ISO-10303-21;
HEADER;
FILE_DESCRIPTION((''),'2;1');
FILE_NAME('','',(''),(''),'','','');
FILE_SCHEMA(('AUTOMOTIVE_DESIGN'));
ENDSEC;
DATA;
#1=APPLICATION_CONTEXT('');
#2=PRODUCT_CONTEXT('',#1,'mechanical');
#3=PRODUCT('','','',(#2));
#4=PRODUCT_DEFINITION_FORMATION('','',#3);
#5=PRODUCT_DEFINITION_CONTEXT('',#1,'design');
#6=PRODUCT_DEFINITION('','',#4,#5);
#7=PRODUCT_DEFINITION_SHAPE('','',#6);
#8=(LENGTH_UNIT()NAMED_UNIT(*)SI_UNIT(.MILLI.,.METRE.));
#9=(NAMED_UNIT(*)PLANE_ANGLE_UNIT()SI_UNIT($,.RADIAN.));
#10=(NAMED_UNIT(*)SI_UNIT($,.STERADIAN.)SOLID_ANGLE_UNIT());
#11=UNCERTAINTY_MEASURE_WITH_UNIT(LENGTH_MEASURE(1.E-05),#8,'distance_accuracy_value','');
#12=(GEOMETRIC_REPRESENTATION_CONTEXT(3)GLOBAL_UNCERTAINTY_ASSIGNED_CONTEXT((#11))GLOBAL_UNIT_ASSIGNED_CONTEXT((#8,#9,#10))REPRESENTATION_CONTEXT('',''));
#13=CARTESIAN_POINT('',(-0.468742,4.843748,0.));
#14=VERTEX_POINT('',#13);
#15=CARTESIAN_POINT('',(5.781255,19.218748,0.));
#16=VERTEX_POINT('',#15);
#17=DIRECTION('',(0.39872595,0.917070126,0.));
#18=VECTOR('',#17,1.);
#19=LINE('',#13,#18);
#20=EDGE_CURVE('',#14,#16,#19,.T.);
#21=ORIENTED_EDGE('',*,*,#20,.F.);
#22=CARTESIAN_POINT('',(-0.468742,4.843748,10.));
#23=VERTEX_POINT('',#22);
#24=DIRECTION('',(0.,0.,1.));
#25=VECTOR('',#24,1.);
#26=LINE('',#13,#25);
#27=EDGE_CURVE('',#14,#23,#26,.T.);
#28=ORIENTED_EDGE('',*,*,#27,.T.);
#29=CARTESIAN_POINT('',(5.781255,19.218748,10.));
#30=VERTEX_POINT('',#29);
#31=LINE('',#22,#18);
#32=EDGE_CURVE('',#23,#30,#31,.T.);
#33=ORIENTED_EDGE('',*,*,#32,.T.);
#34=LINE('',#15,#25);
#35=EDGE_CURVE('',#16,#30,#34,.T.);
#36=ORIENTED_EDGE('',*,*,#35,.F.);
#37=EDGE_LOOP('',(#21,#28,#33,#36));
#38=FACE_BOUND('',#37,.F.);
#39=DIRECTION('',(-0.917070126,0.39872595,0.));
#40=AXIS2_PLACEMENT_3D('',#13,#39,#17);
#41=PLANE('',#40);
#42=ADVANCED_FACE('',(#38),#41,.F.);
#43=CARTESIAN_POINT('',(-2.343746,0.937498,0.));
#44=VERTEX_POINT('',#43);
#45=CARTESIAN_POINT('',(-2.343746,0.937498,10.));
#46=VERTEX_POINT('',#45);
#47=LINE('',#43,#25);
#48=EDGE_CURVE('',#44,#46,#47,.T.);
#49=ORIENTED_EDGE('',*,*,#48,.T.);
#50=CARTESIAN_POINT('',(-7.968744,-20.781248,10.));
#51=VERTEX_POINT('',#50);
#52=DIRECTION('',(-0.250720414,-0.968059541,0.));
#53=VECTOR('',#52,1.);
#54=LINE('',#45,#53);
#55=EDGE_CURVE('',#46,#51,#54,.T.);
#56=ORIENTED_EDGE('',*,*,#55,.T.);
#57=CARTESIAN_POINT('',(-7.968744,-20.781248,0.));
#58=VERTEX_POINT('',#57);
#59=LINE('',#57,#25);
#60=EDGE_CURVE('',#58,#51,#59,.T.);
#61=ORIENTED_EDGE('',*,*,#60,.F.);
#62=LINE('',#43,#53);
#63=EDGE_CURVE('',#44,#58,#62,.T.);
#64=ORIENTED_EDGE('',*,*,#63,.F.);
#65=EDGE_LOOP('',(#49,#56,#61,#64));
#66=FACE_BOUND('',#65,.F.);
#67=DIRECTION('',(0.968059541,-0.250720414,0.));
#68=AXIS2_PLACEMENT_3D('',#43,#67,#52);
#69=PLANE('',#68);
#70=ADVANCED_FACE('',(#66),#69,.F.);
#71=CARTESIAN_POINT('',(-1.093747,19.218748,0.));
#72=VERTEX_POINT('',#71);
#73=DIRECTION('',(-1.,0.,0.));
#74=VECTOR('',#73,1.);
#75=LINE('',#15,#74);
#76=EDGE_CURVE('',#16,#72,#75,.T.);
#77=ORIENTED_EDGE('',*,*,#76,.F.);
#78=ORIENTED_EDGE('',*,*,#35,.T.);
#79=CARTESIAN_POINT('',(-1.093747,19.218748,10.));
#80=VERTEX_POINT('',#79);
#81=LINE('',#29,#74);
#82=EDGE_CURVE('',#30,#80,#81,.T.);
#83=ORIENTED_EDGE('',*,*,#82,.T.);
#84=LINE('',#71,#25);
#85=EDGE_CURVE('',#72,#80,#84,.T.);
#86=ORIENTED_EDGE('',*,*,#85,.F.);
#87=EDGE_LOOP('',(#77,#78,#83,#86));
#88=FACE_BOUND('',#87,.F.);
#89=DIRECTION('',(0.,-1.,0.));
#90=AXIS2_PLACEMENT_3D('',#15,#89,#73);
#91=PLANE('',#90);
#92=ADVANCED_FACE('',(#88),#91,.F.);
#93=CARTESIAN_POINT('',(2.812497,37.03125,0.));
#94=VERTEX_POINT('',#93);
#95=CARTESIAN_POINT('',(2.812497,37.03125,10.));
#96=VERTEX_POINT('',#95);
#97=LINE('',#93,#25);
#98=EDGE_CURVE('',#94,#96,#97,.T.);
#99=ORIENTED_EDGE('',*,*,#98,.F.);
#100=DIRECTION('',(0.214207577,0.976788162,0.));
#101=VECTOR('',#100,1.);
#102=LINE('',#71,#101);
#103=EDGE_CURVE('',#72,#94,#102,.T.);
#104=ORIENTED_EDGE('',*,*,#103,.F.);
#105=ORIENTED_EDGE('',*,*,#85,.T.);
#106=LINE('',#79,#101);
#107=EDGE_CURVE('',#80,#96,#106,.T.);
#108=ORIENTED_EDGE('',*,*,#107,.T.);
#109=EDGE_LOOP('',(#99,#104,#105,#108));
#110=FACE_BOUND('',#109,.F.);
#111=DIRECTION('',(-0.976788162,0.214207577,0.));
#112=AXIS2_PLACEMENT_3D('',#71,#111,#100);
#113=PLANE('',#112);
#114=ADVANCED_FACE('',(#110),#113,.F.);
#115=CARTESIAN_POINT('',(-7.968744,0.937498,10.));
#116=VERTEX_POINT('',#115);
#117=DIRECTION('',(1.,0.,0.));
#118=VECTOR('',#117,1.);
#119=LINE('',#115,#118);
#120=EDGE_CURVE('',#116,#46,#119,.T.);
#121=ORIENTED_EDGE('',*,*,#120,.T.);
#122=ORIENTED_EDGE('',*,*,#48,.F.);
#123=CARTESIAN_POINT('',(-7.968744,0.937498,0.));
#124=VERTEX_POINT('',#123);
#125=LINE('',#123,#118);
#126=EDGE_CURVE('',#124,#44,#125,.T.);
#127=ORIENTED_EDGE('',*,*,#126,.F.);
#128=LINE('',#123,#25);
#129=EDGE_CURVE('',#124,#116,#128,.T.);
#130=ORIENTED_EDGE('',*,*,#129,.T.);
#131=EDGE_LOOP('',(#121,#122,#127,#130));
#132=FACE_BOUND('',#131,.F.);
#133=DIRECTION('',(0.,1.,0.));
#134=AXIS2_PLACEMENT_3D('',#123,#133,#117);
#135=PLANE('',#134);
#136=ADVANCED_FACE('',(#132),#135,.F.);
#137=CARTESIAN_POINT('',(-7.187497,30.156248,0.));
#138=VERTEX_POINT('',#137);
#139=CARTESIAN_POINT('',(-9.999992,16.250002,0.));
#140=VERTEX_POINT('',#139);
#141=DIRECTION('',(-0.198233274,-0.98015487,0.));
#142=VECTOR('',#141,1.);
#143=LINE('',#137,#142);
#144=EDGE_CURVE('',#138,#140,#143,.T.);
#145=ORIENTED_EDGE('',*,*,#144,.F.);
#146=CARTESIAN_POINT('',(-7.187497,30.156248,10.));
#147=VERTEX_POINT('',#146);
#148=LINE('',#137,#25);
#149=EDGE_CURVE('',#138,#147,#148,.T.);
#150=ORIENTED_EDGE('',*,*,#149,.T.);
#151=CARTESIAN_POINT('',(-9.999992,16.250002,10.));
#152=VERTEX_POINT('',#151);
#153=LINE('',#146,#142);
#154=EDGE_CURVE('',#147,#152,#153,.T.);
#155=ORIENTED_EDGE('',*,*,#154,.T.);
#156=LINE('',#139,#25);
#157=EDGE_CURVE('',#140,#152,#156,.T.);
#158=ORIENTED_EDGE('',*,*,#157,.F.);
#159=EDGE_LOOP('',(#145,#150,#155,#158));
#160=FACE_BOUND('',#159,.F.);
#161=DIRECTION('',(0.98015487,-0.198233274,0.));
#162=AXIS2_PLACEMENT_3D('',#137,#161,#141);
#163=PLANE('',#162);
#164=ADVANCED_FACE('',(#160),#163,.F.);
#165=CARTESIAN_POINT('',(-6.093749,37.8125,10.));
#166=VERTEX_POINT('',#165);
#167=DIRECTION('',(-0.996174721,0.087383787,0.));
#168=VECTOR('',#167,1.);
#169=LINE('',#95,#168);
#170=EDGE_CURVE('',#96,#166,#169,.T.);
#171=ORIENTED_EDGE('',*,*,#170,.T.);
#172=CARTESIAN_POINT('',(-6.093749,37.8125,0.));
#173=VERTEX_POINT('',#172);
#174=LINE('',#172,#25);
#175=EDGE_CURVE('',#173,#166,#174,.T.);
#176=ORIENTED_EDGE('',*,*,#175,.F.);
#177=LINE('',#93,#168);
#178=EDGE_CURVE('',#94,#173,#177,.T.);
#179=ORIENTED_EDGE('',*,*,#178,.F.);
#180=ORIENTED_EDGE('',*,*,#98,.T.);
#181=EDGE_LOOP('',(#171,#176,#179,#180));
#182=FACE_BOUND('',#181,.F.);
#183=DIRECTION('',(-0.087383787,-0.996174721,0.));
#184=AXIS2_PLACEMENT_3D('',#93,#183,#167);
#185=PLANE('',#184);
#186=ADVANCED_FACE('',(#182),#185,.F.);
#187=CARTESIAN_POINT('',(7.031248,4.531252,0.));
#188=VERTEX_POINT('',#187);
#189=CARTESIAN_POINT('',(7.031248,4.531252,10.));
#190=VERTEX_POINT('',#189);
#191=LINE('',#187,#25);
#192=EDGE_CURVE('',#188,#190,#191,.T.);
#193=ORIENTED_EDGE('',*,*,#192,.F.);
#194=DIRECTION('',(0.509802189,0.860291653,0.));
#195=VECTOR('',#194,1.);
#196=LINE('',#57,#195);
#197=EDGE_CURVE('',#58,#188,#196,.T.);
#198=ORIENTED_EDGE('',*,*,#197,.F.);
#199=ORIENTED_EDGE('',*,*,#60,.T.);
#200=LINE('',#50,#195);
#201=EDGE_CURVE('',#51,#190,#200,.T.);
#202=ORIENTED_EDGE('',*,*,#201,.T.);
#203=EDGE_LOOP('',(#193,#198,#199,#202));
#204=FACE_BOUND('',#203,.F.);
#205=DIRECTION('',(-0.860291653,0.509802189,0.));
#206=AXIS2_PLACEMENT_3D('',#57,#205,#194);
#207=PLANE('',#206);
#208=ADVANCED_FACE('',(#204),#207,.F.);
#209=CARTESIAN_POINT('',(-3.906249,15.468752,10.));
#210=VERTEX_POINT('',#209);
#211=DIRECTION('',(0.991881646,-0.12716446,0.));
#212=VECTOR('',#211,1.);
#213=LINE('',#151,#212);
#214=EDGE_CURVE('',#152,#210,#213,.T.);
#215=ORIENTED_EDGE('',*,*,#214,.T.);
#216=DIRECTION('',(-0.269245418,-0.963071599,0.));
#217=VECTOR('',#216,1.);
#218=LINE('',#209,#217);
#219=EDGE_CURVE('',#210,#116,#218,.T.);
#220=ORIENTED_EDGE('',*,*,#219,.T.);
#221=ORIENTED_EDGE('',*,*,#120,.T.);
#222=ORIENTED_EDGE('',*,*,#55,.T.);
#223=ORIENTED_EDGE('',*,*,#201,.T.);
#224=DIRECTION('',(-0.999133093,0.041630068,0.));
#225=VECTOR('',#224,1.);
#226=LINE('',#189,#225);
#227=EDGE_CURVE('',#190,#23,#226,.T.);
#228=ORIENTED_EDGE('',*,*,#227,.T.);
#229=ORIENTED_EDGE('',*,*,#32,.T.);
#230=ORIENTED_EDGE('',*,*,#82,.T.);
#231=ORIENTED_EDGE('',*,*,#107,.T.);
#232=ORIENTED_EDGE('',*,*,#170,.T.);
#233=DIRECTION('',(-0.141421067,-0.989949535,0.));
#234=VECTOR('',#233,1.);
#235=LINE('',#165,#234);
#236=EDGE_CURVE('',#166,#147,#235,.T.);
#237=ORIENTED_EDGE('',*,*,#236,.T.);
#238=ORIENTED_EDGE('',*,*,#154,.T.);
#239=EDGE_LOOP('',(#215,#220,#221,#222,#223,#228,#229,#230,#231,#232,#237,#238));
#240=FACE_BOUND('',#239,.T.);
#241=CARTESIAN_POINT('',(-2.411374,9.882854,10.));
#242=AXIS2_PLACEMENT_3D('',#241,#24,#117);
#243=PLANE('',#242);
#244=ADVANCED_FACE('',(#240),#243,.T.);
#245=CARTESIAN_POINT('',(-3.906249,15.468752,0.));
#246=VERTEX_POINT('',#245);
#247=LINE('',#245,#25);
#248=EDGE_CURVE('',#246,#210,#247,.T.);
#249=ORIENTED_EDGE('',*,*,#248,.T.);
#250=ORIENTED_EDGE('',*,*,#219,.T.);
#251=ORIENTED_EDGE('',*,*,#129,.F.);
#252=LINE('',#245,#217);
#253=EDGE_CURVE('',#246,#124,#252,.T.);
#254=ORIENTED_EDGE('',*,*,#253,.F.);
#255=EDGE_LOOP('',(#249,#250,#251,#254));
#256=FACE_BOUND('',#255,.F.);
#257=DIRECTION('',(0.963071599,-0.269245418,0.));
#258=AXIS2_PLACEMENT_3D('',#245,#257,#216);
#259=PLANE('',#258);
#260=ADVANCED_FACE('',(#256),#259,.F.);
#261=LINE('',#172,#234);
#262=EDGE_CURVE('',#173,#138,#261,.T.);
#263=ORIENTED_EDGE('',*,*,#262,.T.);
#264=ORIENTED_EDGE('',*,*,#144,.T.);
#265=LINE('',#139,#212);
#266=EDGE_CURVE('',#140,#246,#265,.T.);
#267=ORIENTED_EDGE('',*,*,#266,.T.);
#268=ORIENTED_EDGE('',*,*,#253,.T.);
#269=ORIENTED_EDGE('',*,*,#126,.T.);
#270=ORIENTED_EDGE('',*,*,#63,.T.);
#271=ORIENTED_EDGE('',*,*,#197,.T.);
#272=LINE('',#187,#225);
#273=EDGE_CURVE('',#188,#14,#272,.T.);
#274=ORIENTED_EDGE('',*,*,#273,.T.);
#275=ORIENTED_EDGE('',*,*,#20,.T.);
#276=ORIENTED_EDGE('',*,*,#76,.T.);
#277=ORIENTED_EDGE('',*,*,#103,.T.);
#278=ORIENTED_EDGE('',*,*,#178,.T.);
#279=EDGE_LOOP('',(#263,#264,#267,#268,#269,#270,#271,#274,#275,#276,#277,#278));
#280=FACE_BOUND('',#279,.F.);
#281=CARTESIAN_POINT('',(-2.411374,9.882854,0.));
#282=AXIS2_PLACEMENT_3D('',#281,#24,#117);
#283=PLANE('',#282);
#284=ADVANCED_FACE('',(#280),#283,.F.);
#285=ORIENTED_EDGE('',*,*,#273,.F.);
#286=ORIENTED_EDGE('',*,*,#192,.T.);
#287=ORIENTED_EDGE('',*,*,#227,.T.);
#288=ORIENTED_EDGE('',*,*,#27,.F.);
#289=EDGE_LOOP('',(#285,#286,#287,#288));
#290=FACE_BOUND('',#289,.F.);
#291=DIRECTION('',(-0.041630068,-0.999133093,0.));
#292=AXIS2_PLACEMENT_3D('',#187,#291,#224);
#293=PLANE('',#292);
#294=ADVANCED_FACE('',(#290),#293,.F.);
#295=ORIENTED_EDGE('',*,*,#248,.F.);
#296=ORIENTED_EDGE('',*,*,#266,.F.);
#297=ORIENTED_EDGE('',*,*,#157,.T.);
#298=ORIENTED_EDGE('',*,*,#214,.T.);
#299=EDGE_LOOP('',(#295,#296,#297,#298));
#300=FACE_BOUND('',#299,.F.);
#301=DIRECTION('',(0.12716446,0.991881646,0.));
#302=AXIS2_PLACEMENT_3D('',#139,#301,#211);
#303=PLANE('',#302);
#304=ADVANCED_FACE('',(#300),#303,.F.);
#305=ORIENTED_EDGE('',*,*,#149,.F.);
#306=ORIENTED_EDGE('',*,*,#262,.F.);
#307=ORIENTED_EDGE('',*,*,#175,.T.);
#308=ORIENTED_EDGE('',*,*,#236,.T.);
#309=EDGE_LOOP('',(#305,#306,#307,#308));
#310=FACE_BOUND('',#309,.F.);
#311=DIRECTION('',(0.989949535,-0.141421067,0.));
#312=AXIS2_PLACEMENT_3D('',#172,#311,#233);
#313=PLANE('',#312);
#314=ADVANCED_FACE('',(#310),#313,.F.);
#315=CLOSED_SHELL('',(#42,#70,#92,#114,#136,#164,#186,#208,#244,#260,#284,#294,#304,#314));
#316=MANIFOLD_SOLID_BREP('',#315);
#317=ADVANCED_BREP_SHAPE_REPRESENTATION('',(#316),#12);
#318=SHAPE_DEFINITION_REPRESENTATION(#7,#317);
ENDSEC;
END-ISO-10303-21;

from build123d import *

# Parameters (mm, degrees)
PAD_DEPTH = 10


with BuildPart() as part:
    # Sketch → Pad (new body)
    with BuildSketch(Plane.XY):
        Polygon((-7.187497, 30.156248), (-9.999992, 16.250002), (-3.906249, 15.468752), (-7.968744, 0.937498), (-2.343746, 0.937498), (-7.968744, -20.781248), (7.031248, 4.531252), (-0.468742, 4.843748), (5.781255, 19.218748), (-1.093747, 19.218748), (2.812497, 37.03125), (-6.093749, 37.8125), align=None)
    extrude(amount=PAD_DEPTH)


solid = part.part
